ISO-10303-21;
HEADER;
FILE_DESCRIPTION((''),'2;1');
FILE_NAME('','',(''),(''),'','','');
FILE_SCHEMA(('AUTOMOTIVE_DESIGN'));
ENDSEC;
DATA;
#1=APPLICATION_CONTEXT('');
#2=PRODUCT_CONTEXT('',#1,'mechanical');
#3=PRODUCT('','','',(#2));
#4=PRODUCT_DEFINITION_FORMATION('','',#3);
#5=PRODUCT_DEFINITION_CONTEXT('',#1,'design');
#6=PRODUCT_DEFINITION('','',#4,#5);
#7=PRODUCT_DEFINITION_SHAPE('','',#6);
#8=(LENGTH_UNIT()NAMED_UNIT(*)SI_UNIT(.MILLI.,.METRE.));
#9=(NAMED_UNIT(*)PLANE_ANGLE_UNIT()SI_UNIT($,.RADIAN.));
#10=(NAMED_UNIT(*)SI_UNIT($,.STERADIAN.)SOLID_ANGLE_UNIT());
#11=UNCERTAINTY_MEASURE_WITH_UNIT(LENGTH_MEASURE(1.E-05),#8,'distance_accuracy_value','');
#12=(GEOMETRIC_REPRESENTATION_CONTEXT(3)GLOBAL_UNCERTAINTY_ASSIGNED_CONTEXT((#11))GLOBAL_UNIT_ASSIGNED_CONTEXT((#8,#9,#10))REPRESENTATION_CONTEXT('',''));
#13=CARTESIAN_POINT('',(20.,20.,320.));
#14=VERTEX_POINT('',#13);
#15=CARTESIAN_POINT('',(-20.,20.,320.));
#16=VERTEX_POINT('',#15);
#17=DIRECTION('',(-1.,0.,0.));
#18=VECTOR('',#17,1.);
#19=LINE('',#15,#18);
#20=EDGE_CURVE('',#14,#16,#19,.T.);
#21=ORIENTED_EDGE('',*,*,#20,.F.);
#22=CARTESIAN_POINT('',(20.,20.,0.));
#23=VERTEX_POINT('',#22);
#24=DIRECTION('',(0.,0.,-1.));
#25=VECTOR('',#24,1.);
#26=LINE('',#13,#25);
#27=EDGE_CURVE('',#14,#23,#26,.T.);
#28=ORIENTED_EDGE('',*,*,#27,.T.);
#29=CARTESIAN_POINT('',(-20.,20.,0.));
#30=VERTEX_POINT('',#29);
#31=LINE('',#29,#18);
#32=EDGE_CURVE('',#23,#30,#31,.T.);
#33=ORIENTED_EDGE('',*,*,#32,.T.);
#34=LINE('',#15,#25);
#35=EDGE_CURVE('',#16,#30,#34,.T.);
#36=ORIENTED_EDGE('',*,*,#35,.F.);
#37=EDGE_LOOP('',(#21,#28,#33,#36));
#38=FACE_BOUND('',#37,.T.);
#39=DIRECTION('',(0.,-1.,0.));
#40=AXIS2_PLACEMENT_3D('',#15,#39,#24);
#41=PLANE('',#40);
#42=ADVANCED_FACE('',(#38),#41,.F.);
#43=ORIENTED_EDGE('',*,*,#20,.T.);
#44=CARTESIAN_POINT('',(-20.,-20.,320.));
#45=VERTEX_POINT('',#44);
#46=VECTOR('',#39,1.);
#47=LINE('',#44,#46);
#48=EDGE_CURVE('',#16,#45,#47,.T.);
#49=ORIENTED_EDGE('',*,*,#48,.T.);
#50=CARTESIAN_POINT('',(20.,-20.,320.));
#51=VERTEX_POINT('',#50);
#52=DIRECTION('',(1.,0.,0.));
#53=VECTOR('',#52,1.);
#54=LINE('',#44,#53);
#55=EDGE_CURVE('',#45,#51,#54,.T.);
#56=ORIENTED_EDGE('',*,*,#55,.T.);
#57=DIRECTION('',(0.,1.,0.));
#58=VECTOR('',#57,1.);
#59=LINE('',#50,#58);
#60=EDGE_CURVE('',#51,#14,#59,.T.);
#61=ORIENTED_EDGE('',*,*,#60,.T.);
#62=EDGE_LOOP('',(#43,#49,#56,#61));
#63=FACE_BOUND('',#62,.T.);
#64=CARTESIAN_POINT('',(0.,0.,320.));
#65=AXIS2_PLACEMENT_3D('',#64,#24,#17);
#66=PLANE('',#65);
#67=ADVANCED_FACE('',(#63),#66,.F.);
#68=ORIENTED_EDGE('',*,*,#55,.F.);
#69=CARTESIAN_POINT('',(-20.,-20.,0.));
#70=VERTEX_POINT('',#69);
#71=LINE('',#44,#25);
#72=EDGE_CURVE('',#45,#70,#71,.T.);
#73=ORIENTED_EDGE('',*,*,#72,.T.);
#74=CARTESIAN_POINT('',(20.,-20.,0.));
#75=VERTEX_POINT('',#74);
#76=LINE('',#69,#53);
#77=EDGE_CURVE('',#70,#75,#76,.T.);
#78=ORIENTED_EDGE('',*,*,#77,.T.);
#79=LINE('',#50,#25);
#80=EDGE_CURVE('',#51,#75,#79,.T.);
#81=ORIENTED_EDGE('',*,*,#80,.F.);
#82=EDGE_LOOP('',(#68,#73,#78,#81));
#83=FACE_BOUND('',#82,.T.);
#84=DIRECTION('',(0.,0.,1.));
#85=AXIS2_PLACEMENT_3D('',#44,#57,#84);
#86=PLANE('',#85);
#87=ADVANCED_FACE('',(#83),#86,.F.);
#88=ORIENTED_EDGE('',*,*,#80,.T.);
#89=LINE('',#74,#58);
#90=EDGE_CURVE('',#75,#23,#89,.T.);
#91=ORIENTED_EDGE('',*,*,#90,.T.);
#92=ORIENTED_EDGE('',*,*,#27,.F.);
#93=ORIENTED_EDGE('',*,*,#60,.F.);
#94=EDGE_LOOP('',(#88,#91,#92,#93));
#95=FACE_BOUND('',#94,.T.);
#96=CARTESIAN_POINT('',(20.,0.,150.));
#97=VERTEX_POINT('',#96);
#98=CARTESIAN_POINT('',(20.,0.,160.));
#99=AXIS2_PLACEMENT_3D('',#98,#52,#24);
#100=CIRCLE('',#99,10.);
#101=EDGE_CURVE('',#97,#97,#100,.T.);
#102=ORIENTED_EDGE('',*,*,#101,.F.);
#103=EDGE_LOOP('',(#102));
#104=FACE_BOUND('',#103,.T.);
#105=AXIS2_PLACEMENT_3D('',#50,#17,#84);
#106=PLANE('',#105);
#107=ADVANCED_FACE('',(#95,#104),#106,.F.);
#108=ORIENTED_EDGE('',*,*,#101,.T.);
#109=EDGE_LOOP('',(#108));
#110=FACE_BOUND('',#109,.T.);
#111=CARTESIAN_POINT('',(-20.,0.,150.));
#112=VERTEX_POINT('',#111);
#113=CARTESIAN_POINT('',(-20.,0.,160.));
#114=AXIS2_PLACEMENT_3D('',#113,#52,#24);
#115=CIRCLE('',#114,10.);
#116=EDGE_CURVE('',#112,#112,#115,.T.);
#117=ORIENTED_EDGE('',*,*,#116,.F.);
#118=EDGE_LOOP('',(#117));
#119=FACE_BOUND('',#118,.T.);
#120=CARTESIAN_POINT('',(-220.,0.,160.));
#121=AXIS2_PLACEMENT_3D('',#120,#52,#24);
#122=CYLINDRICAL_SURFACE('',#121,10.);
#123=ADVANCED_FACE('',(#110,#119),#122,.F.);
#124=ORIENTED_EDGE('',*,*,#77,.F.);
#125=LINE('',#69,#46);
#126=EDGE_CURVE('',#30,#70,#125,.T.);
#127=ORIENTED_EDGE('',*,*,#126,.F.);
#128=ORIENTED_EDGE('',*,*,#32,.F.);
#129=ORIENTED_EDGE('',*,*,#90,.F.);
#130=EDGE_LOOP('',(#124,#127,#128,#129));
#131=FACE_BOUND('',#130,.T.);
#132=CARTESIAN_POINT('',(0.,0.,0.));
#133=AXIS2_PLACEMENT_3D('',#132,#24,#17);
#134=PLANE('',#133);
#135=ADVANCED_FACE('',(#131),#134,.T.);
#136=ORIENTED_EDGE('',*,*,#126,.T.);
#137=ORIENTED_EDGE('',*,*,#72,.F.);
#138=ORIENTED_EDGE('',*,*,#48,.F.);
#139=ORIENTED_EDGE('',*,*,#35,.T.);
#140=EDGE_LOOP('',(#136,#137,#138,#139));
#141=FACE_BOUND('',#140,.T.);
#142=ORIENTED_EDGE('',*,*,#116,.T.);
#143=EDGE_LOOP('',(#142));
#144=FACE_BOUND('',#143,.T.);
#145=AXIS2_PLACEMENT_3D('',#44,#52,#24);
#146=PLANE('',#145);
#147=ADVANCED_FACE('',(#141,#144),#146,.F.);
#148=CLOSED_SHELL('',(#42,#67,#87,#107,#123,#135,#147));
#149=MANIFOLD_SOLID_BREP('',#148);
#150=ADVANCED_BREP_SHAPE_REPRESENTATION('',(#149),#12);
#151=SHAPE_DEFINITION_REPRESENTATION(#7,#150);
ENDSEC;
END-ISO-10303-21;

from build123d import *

# Parameters (mm, degrees)
SKETCH1_W           = 40
SKETCH1_H           = 40
BOSS_EXTRUDE1_DEPTH = 320
SKETCH3_R           = 10
CUT_EXTRUDE2_DEPTH  = 240


with BuildPart() as part:
    # Sketch1 → Boss-Extrude1 (new body)
    with BuildSketch(Plane.XY):
        Rectangle(SKETCH1_W, SKETCH1_H)
    extrude(amount=BOSS_EXTRUDE1_DEPTH)

    # Sketch3 → Cut-Extrude2 (cut)
    with BuildSketch(Plane(origin=(20, 0, 0), x_dir=(0, 0, -1), z_dir=(1, 0, 0))):
        with Locations((-160, 0)):
            Circle(SKETCH3_R)
    extrude(amount=-CUT_EXTRUDE2_DEPTH, mode=Mode.SUBTRACT)


solid = part.part
